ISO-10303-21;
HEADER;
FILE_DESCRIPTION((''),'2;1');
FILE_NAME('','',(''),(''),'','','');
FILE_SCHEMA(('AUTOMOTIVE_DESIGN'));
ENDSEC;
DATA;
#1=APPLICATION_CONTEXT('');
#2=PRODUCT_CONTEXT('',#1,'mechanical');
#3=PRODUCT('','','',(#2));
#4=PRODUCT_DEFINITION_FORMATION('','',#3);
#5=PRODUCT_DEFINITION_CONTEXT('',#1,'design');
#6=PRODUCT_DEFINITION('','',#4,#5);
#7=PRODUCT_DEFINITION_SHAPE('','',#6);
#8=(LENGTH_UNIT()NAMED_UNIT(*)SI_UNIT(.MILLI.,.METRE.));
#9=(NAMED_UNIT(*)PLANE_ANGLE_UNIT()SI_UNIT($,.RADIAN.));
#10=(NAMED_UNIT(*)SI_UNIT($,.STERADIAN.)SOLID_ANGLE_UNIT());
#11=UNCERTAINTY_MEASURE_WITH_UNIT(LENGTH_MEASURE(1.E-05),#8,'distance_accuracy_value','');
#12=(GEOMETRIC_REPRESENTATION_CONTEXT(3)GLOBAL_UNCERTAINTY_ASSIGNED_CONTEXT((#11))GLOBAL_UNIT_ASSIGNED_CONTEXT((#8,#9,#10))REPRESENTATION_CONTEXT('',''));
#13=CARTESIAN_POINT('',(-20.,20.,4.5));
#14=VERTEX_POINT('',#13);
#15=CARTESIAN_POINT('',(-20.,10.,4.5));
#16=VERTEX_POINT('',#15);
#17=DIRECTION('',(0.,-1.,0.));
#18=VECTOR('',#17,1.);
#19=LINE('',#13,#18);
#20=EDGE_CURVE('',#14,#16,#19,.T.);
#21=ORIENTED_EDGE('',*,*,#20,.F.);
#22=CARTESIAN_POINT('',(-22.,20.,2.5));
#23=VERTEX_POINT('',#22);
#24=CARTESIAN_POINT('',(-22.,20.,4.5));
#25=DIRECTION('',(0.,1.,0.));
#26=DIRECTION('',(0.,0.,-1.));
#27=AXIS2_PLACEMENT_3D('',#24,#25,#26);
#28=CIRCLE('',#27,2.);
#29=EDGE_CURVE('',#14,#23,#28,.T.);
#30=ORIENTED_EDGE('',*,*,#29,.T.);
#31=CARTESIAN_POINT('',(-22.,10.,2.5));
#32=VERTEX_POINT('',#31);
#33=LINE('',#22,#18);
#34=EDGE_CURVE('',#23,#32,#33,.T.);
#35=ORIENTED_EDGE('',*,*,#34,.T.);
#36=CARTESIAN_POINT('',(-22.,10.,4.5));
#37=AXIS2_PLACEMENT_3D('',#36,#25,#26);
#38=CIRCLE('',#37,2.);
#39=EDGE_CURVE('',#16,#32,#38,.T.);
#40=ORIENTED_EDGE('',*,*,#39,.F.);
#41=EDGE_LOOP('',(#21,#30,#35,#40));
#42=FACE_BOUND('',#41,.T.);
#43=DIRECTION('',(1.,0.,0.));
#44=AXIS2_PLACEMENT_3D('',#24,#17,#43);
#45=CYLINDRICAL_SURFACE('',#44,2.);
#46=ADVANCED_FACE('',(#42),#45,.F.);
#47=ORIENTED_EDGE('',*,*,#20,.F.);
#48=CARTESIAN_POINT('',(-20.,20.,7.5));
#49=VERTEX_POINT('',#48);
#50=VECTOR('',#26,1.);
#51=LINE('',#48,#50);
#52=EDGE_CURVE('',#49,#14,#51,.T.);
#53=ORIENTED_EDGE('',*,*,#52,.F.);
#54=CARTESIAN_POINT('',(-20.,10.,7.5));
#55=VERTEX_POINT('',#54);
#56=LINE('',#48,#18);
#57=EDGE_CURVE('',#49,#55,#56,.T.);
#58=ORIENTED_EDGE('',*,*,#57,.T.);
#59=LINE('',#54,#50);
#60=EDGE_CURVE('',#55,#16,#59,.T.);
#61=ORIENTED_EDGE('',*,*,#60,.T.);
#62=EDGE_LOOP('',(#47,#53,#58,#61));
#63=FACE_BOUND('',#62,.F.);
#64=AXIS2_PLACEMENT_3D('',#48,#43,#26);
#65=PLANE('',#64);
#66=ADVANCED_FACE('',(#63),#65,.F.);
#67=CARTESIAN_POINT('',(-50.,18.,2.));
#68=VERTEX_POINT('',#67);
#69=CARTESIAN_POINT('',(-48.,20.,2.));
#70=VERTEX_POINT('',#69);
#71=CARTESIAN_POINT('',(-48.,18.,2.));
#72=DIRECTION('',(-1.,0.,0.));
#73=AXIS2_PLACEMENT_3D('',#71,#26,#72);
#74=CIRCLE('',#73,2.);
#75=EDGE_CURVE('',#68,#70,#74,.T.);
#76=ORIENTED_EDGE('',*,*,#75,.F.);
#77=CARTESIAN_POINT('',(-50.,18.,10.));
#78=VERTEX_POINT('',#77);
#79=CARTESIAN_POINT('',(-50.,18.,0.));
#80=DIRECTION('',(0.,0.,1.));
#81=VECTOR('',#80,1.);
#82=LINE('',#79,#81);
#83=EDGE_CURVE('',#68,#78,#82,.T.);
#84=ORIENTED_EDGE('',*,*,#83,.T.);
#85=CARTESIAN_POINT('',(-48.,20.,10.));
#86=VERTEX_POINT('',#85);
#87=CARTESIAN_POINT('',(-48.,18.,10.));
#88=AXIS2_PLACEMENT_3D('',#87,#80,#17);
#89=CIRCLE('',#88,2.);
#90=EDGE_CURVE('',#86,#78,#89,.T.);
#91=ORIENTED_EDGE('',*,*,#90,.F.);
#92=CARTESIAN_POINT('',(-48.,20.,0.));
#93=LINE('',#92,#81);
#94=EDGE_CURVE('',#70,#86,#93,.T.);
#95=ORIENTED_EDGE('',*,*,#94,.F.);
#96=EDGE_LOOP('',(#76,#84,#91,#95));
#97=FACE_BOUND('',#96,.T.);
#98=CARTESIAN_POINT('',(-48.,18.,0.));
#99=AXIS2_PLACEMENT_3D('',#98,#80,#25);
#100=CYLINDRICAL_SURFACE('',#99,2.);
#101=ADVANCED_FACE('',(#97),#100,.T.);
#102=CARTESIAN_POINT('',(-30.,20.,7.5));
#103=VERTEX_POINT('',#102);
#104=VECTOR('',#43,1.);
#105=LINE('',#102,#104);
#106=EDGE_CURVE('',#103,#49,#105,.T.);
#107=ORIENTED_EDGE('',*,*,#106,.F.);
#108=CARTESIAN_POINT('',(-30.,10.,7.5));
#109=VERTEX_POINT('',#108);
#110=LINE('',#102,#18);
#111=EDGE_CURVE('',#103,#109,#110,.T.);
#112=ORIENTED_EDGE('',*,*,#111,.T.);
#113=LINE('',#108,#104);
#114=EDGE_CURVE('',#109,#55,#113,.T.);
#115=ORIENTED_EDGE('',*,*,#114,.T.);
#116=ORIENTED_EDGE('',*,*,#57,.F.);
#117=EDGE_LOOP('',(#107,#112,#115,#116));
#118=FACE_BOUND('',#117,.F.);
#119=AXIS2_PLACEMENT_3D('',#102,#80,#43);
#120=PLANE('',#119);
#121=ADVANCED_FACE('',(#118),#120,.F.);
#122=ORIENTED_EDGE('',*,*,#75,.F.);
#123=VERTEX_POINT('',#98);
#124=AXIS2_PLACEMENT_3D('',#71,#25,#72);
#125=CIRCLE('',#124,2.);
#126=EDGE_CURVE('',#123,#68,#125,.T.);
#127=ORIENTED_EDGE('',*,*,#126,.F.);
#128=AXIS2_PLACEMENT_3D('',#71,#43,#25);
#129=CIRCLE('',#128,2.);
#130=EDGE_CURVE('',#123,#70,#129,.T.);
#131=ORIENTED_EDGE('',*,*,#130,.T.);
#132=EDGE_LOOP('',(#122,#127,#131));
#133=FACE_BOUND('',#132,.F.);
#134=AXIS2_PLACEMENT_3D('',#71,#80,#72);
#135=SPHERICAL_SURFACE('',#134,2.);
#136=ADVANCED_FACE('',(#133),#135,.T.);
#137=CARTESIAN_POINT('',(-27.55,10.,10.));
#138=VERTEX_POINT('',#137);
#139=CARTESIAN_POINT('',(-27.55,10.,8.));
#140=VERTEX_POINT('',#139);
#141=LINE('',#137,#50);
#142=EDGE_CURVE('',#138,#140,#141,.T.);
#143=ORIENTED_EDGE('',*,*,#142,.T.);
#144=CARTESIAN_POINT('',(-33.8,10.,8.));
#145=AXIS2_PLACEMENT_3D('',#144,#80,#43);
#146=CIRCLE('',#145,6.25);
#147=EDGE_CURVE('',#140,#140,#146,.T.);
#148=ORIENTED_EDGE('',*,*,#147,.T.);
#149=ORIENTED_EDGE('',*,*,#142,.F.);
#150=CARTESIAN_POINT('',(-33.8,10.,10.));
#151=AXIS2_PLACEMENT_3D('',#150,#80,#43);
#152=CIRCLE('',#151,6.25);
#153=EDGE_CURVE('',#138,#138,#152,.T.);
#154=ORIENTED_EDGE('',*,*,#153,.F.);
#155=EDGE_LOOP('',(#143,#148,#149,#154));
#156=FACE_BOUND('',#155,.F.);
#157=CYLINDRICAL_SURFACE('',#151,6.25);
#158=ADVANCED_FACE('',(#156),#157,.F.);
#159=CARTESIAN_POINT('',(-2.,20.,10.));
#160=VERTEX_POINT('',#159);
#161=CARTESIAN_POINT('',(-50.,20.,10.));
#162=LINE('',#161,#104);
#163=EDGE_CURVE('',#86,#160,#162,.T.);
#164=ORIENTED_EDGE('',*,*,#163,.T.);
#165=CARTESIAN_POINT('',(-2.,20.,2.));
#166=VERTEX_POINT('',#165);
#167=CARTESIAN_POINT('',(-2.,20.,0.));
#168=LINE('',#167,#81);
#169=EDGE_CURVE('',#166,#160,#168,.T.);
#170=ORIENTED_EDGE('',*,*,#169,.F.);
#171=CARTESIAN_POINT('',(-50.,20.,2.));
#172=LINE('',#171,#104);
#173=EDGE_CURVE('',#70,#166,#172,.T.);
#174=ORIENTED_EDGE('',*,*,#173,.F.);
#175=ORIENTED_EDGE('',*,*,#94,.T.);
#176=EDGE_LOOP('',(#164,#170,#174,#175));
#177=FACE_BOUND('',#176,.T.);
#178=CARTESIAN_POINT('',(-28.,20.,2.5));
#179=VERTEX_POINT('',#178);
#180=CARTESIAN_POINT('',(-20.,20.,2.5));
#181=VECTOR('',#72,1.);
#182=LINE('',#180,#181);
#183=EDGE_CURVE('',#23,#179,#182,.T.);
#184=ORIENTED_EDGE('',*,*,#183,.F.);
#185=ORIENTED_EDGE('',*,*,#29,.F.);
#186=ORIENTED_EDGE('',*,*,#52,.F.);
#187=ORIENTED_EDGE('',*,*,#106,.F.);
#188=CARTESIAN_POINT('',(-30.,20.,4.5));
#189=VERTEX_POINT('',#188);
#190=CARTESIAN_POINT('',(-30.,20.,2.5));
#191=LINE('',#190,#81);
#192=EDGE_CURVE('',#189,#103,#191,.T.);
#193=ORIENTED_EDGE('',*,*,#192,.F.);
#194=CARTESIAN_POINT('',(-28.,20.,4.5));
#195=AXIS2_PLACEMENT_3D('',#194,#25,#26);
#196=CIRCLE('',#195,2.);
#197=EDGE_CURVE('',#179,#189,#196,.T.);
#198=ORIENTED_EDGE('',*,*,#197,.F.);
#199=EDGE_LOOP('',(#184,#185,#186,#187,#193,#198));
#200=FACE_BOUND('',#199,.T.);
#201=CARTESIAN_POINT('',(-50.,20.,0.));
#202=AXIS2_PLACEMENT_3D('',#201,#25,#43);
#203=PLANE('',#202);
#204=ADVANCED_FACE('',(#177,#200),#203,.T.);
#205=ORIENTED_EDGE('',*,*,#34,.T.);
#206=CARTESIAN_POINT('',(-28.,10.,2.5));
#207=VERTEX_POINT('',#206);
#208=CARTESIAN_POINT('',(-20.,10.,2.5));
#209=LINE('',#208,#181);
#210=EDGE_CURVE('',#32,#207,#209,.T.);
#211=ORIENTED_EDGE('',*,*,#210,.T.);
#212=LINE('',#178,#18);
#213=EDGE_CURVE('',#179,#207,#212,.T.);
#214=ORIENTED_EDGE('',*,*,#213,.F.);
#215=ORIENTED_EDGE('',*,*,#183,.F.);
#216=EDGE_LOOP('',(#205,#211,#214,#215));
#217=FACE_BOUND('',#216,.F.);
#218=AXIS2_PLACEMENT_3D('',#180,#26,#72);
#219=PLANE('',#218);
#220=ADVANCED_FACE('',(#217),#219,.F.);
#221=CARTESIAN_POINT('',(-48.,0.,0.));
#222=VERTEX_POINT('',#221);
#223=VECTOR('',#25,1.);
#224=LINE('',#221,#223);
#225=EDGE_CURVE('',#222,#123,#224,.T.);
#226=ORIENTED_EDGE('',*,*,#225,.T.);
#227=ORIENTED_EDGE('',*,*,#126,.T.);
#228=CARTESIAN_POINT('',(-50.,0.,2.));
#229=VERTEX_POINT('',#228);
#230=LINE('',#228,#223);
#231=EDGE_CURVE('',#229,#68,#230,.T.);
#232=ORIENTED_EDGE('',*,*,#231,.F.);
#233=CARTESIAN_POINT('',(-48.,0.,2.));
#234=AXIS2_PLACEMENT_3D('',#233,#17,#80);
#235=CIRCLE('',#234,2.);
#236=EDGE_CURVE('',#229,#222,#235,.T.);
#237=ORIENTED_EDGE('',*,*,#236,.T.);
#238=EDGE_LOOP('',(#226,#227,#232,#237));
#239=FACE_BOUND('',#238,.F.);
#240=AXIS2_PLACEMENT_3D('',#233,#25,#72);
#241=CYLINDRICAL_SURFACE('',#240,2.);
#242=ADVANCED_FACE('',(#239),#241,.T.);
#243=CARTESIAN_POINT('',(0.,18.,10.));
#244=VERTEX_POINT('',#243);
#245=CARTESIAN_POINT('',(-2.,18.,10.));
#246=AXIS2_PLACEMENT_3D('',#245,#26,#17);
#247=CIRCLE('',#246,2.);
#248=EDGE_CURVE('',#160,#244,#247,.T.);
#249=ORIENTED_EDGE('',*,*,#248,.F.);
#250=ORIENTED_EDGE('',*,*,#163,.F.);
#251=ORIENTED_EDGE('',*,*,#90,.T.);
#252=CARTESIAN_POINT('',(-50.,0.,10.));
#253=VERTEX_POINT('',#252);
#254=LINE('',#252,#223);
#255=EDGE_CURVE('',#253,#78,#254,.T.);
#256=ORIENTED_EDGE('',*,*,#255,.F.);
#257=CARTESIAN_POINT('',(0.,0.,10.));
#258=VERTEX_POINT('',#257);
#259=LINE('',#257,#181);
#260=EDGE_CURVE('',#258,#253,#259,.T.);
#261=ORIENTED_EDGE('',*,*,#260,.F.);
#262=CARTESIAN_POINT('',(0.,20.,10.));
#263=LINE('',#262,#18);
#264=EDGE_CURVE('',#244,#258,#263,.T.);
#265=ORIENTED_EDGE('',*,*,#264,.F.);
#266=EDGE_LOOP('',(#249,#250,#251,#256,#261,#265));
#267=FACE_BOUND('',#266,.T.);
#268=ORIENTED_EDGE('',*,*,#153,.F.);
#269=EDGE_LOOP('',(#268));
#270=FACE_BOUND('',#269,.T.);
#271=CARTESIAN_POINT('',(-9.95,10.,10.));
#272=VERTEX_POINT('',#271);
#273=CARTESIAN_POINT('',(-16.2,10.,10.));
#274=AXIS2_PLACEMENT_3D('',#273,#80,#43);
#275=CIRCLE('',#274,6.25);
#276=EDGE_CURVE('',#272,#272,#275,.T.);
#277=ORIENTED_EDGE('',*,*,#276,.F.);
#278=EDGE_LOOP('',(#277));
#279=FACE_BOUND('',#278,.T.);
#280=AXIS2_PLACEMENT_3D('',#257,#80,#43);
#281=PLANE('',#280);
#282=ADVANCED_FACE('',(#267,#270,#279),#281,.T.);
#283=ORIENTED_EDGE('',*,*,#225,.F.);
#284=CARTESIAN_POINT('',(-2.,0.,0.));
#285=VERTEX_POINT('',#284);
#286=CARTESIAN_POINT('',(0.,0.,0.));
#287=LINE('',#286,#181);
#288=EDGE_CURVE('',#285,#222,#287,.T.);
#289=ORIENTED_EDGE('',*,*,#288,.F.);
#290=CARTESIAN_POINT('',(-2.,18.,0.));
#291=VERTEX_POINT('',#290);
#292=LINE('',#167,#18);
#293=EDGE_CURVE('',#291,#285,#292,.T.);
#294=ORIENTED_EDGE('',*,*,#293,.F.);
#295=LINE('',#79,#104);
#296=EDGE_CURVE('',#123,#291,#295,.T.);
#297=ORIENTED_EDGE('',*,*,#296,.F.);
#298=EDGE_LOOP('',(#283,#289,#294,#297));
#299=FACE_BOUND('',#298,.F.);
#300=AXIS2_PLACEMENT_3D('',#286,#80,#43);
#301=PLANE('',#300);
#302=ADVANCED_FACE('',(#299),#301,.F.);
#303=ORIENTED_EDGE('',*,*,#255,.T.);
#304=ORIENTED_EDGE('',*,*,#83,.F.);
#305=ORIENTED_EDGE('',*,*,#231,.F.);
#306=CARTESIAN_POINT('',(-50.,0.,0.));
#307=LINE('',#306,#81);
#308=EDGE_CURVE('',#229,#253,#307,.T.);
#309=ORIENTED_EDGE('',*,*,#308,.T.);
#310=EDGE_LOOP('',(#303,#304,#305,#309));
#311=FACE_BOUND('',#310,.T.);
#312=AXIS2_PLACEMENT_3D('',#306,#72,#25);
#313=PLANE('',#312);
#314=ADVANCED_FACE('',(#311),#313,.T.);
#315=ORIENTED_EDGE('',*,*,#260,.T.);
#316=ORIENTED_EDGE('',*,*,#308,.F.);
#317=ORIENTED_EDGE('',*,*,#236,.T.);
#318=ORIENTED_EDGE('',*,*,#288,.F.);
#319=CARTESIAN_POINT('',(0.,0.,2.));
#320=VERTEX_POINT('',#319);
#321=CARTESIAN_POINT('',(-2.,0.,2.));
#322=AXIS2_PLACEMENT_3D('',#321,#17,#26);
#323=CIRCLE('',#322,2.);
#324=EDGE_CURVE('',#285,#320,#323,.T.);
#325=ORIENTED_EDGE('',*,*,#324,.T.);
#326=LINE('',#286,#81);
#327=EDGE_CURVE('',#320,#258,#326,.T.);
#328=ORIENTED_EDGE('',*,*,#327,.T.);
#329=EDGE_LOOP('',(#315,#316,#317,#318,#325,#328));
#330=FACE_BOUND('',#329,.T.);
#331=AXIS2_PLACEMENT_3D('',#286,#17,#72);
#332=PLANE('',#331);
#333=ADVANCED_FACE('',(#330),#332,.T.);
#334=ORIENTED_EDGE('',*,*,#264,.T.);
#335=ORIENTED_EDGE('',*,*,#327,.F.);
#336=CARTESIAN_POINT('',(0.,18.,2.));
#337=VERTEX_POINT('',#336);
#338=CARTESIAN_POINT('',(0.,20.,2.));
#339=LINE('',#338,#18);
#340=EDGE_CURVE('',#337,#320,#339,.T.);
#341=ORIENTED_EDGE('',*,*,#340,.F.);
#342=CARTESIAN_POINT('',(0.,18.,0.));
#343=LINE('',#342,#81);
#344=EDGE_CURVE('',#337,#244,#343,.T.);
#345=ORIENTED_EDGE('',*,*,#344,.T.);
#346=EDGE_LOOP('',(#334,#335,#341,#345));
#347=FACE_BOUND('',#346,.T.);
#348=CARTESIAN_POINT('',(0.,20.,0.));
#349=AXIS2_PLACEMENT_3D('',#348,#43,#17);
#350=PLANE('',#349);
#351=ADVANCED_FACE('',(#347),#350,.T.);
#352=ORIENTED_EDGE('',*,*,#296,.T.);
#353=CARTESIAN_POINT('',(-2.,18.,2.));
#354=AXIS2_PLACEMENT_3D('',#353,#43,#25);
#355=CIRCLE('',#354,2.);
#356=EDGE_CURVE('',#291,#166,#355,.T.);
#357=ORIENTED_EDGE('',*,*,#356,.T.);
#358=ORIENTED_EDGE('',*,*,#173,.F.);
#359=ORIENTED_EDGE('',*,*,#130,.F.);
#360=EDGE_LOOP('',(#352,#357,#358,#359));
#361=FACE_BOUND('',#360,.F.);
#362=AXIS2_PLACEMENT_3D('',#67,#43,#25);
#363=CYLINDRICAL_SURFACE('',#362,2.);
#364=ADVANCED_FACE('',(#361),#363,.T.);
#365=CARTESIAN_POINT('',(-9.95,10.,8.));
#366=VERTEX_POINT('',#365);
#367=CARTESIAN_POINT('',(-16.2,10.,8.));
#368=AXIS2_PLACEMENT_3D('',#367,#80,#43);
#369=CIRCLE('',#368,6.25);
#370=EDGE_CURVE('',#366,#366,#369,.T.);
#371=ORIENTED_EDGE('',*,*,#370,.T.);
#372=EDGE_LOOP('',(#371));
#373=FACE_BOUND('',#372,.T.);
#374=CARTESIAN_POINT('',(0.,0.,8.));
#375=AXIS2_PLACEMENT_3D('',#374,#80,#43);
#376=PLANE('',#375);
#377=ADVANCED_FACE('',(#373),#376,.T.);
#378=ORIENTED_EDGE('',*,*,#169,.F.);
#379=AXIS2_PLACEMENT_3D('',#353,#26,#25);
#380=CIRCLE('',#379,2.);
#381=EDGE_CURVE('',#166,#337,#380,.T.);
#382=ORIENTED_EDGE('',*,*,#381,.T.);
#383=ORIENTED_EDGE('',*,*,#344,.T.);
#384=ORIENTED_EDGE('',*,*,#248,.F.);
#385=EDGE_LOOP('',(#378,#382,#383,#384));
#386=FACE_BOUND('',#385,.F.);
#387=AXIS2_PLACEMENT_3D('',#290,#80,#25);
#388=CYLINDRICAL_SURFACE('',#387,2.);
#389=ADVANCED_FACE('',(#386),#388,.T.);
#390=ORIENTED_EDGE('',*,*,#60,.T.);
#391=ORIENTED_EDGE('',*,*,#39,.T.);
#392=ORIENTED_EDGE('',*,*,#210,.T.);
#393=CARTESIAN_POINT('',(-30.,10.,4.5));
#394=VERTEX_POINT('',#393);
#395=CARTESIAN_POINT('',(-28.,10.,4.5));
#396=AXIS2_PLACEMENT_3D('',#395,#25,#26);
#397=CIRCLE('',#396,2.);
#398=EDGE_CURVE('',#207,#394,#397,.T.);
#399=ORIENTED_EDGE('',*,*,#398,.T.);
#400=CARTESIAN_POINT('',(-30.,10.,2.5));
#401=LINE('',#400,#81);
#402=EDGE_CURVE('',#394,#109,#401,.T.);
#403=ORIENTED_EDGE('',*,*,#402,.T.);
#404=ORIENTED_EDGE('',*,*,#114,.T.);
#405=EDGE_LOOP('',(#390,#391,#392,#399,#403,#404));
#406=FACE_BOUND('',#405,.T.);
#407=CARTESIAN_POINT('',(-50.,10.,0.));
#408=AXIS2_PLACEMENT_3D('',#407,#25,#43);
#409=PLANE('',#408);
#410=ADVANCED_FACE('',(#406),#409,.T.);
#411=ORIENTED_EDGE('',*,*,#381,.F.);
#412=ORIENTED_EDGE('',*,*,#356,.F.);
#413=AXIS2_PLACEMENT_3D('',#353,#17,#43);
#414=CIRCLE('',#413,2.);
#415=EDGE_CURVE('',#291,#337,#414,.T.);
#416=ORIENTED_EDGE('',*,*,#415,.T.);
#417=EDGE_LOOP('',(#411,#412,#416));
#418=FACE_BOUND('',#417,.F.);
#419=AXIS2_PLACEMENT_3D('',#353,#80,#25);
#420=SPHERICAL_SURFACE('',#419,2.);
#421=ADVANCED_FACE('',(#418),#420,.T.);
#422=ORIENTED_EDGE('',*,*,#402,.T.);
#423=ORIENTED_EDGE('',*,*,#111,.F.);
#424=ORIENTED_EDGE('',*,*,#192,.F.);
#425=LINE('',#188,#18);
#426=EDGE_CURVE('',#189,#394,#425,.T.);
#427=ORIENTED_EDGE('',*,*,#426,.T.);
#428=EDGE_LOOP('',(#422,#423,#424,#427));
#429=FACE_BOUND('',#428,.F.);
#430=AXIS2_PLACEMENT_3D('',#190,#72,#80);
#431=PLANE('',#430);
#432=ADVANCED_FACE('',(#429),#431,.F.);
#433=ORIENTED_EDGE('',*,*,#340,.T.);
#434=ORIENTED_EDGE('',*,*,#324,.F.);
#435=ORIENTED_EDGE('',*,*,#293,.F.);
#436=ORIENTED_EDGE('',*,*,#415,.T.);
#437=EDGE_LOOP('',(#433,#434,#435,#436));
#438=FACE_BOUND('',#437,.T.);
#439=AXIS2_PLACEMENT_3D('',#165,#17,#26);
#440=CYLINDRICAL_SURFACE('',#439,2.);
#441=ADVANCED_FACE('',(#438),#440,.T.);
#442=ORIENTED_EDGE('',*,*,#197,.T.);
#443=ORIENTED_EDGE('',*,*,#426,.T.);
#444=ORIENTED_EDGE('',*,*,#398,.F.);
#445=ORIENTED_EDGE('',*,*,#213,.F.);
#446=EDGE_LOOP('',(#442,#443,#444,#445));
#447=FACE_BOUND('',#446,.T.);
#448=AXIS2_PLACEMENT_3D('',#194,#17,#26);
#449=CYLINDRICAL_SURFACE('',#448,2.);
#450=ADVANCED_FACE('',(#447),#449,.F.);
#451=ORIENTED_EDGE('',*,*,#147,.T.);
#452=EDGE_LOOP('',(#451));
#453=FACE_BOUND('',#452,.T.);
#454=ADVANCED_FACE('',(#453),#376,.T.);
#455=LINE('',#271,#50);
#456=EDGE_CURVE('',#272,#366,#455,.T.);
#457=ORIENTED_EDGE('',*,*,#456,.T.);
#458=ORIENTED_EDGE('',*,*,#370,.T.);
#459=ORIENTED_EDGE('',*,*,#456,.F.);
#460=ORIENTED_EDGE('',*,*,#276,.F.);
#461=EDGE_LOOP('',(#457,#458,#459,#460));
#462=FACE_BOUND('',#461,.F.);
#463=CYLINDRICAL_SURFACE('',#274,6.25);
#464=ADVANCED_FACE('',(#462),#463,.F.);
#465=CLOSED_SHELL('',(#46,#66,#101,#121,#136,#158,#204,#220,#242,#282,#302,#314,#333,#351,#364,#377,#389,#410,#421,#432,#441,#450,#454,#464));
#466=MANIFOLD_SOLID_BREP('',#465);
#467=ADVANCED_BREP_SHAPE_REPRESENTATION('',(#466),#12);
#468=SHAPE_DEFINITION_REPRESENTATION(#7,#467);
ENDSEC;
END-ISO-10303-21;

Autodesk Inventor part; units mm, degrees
ref_plane "YZ Plane" through (0, 0, 0) normal (1, 0, 0) x (0, 1, 0)
ref_plane "XZ Plane" through (0, 0, 0) normal (0, 1, 0) x (-1, 0, 0)
ref_plane "XY Plane" through (0, 0, 0) normal (0, 0, 1) x (1, 0, 0)
sketch "Sketch6" plane through (0, 0, 0) normal (0, 0, 1) x (1, 0, 0)
  line L0 (0, 0) -> (-50, 0)
  line L1 (-50, 0) -> (-50, 20)
  line L2 (-50, 20) -> (0, 20)
  line L3 (0, 20) -> (0, 0)
  dimension "d55" = 50
  dimension "d56" = 20
extrude "Extrusion5" add sketch "Sketch6" along normal blind 10
sketch "Sketch7" plane through (0, 0, 10) normal (0, 0, 1) x (1, 0, 0)
  circle A0 centre (-33.8, 10) radius 6.25
  circle A1 centre (-16.2, 10) radius 6.25
  point P0 (0, 0)
  dimension "d59" = 12.5
  dimension "d60" = 12.5
extrude "Extrusion6" cut sketch "Sketch7" against normal blind 2
sketch "Sketch8" plane through (-50, 20, 0) normal (0, 1, 0) x (1, 0, 0)
  line L0 (50, 0) -> (30, 0)
  line L1 (30, 0) -> (30, -2.5)
  line L2 (30, -2.5) -> (50, -2.5)
  line L3 (50, -2.5) -> (50, 0)
  line L4 (30, -2.5) -> (20, -2.5)
  line L5 (20, -2.5) -> (20, -7.5)
  line L6 (20, -7.5) -> (30, -7.5)
  line L7 (30, -7.5) -> (30, -2.5)
  dimension "d63" = 20
  dimension "d64" = 2.5
  dimension "d65" = 10
  dimension "d66" = 5
extrude "Extrusion7" cut sketch "Sketch8" against normal blind 10 contours L7 L6 L5 L4
fillet "Fillet4" radius 2 2 edges at (-30, 15, 2.5) (-20, 15, 2.5)
fillet "Fillet5" radius 2 5 edges at (0, 20, 5) (-50, 20, 5) (-50, 10, 0) (-25, 20, 0) (0, 10, 0)
properties part number "A1 Holder"
